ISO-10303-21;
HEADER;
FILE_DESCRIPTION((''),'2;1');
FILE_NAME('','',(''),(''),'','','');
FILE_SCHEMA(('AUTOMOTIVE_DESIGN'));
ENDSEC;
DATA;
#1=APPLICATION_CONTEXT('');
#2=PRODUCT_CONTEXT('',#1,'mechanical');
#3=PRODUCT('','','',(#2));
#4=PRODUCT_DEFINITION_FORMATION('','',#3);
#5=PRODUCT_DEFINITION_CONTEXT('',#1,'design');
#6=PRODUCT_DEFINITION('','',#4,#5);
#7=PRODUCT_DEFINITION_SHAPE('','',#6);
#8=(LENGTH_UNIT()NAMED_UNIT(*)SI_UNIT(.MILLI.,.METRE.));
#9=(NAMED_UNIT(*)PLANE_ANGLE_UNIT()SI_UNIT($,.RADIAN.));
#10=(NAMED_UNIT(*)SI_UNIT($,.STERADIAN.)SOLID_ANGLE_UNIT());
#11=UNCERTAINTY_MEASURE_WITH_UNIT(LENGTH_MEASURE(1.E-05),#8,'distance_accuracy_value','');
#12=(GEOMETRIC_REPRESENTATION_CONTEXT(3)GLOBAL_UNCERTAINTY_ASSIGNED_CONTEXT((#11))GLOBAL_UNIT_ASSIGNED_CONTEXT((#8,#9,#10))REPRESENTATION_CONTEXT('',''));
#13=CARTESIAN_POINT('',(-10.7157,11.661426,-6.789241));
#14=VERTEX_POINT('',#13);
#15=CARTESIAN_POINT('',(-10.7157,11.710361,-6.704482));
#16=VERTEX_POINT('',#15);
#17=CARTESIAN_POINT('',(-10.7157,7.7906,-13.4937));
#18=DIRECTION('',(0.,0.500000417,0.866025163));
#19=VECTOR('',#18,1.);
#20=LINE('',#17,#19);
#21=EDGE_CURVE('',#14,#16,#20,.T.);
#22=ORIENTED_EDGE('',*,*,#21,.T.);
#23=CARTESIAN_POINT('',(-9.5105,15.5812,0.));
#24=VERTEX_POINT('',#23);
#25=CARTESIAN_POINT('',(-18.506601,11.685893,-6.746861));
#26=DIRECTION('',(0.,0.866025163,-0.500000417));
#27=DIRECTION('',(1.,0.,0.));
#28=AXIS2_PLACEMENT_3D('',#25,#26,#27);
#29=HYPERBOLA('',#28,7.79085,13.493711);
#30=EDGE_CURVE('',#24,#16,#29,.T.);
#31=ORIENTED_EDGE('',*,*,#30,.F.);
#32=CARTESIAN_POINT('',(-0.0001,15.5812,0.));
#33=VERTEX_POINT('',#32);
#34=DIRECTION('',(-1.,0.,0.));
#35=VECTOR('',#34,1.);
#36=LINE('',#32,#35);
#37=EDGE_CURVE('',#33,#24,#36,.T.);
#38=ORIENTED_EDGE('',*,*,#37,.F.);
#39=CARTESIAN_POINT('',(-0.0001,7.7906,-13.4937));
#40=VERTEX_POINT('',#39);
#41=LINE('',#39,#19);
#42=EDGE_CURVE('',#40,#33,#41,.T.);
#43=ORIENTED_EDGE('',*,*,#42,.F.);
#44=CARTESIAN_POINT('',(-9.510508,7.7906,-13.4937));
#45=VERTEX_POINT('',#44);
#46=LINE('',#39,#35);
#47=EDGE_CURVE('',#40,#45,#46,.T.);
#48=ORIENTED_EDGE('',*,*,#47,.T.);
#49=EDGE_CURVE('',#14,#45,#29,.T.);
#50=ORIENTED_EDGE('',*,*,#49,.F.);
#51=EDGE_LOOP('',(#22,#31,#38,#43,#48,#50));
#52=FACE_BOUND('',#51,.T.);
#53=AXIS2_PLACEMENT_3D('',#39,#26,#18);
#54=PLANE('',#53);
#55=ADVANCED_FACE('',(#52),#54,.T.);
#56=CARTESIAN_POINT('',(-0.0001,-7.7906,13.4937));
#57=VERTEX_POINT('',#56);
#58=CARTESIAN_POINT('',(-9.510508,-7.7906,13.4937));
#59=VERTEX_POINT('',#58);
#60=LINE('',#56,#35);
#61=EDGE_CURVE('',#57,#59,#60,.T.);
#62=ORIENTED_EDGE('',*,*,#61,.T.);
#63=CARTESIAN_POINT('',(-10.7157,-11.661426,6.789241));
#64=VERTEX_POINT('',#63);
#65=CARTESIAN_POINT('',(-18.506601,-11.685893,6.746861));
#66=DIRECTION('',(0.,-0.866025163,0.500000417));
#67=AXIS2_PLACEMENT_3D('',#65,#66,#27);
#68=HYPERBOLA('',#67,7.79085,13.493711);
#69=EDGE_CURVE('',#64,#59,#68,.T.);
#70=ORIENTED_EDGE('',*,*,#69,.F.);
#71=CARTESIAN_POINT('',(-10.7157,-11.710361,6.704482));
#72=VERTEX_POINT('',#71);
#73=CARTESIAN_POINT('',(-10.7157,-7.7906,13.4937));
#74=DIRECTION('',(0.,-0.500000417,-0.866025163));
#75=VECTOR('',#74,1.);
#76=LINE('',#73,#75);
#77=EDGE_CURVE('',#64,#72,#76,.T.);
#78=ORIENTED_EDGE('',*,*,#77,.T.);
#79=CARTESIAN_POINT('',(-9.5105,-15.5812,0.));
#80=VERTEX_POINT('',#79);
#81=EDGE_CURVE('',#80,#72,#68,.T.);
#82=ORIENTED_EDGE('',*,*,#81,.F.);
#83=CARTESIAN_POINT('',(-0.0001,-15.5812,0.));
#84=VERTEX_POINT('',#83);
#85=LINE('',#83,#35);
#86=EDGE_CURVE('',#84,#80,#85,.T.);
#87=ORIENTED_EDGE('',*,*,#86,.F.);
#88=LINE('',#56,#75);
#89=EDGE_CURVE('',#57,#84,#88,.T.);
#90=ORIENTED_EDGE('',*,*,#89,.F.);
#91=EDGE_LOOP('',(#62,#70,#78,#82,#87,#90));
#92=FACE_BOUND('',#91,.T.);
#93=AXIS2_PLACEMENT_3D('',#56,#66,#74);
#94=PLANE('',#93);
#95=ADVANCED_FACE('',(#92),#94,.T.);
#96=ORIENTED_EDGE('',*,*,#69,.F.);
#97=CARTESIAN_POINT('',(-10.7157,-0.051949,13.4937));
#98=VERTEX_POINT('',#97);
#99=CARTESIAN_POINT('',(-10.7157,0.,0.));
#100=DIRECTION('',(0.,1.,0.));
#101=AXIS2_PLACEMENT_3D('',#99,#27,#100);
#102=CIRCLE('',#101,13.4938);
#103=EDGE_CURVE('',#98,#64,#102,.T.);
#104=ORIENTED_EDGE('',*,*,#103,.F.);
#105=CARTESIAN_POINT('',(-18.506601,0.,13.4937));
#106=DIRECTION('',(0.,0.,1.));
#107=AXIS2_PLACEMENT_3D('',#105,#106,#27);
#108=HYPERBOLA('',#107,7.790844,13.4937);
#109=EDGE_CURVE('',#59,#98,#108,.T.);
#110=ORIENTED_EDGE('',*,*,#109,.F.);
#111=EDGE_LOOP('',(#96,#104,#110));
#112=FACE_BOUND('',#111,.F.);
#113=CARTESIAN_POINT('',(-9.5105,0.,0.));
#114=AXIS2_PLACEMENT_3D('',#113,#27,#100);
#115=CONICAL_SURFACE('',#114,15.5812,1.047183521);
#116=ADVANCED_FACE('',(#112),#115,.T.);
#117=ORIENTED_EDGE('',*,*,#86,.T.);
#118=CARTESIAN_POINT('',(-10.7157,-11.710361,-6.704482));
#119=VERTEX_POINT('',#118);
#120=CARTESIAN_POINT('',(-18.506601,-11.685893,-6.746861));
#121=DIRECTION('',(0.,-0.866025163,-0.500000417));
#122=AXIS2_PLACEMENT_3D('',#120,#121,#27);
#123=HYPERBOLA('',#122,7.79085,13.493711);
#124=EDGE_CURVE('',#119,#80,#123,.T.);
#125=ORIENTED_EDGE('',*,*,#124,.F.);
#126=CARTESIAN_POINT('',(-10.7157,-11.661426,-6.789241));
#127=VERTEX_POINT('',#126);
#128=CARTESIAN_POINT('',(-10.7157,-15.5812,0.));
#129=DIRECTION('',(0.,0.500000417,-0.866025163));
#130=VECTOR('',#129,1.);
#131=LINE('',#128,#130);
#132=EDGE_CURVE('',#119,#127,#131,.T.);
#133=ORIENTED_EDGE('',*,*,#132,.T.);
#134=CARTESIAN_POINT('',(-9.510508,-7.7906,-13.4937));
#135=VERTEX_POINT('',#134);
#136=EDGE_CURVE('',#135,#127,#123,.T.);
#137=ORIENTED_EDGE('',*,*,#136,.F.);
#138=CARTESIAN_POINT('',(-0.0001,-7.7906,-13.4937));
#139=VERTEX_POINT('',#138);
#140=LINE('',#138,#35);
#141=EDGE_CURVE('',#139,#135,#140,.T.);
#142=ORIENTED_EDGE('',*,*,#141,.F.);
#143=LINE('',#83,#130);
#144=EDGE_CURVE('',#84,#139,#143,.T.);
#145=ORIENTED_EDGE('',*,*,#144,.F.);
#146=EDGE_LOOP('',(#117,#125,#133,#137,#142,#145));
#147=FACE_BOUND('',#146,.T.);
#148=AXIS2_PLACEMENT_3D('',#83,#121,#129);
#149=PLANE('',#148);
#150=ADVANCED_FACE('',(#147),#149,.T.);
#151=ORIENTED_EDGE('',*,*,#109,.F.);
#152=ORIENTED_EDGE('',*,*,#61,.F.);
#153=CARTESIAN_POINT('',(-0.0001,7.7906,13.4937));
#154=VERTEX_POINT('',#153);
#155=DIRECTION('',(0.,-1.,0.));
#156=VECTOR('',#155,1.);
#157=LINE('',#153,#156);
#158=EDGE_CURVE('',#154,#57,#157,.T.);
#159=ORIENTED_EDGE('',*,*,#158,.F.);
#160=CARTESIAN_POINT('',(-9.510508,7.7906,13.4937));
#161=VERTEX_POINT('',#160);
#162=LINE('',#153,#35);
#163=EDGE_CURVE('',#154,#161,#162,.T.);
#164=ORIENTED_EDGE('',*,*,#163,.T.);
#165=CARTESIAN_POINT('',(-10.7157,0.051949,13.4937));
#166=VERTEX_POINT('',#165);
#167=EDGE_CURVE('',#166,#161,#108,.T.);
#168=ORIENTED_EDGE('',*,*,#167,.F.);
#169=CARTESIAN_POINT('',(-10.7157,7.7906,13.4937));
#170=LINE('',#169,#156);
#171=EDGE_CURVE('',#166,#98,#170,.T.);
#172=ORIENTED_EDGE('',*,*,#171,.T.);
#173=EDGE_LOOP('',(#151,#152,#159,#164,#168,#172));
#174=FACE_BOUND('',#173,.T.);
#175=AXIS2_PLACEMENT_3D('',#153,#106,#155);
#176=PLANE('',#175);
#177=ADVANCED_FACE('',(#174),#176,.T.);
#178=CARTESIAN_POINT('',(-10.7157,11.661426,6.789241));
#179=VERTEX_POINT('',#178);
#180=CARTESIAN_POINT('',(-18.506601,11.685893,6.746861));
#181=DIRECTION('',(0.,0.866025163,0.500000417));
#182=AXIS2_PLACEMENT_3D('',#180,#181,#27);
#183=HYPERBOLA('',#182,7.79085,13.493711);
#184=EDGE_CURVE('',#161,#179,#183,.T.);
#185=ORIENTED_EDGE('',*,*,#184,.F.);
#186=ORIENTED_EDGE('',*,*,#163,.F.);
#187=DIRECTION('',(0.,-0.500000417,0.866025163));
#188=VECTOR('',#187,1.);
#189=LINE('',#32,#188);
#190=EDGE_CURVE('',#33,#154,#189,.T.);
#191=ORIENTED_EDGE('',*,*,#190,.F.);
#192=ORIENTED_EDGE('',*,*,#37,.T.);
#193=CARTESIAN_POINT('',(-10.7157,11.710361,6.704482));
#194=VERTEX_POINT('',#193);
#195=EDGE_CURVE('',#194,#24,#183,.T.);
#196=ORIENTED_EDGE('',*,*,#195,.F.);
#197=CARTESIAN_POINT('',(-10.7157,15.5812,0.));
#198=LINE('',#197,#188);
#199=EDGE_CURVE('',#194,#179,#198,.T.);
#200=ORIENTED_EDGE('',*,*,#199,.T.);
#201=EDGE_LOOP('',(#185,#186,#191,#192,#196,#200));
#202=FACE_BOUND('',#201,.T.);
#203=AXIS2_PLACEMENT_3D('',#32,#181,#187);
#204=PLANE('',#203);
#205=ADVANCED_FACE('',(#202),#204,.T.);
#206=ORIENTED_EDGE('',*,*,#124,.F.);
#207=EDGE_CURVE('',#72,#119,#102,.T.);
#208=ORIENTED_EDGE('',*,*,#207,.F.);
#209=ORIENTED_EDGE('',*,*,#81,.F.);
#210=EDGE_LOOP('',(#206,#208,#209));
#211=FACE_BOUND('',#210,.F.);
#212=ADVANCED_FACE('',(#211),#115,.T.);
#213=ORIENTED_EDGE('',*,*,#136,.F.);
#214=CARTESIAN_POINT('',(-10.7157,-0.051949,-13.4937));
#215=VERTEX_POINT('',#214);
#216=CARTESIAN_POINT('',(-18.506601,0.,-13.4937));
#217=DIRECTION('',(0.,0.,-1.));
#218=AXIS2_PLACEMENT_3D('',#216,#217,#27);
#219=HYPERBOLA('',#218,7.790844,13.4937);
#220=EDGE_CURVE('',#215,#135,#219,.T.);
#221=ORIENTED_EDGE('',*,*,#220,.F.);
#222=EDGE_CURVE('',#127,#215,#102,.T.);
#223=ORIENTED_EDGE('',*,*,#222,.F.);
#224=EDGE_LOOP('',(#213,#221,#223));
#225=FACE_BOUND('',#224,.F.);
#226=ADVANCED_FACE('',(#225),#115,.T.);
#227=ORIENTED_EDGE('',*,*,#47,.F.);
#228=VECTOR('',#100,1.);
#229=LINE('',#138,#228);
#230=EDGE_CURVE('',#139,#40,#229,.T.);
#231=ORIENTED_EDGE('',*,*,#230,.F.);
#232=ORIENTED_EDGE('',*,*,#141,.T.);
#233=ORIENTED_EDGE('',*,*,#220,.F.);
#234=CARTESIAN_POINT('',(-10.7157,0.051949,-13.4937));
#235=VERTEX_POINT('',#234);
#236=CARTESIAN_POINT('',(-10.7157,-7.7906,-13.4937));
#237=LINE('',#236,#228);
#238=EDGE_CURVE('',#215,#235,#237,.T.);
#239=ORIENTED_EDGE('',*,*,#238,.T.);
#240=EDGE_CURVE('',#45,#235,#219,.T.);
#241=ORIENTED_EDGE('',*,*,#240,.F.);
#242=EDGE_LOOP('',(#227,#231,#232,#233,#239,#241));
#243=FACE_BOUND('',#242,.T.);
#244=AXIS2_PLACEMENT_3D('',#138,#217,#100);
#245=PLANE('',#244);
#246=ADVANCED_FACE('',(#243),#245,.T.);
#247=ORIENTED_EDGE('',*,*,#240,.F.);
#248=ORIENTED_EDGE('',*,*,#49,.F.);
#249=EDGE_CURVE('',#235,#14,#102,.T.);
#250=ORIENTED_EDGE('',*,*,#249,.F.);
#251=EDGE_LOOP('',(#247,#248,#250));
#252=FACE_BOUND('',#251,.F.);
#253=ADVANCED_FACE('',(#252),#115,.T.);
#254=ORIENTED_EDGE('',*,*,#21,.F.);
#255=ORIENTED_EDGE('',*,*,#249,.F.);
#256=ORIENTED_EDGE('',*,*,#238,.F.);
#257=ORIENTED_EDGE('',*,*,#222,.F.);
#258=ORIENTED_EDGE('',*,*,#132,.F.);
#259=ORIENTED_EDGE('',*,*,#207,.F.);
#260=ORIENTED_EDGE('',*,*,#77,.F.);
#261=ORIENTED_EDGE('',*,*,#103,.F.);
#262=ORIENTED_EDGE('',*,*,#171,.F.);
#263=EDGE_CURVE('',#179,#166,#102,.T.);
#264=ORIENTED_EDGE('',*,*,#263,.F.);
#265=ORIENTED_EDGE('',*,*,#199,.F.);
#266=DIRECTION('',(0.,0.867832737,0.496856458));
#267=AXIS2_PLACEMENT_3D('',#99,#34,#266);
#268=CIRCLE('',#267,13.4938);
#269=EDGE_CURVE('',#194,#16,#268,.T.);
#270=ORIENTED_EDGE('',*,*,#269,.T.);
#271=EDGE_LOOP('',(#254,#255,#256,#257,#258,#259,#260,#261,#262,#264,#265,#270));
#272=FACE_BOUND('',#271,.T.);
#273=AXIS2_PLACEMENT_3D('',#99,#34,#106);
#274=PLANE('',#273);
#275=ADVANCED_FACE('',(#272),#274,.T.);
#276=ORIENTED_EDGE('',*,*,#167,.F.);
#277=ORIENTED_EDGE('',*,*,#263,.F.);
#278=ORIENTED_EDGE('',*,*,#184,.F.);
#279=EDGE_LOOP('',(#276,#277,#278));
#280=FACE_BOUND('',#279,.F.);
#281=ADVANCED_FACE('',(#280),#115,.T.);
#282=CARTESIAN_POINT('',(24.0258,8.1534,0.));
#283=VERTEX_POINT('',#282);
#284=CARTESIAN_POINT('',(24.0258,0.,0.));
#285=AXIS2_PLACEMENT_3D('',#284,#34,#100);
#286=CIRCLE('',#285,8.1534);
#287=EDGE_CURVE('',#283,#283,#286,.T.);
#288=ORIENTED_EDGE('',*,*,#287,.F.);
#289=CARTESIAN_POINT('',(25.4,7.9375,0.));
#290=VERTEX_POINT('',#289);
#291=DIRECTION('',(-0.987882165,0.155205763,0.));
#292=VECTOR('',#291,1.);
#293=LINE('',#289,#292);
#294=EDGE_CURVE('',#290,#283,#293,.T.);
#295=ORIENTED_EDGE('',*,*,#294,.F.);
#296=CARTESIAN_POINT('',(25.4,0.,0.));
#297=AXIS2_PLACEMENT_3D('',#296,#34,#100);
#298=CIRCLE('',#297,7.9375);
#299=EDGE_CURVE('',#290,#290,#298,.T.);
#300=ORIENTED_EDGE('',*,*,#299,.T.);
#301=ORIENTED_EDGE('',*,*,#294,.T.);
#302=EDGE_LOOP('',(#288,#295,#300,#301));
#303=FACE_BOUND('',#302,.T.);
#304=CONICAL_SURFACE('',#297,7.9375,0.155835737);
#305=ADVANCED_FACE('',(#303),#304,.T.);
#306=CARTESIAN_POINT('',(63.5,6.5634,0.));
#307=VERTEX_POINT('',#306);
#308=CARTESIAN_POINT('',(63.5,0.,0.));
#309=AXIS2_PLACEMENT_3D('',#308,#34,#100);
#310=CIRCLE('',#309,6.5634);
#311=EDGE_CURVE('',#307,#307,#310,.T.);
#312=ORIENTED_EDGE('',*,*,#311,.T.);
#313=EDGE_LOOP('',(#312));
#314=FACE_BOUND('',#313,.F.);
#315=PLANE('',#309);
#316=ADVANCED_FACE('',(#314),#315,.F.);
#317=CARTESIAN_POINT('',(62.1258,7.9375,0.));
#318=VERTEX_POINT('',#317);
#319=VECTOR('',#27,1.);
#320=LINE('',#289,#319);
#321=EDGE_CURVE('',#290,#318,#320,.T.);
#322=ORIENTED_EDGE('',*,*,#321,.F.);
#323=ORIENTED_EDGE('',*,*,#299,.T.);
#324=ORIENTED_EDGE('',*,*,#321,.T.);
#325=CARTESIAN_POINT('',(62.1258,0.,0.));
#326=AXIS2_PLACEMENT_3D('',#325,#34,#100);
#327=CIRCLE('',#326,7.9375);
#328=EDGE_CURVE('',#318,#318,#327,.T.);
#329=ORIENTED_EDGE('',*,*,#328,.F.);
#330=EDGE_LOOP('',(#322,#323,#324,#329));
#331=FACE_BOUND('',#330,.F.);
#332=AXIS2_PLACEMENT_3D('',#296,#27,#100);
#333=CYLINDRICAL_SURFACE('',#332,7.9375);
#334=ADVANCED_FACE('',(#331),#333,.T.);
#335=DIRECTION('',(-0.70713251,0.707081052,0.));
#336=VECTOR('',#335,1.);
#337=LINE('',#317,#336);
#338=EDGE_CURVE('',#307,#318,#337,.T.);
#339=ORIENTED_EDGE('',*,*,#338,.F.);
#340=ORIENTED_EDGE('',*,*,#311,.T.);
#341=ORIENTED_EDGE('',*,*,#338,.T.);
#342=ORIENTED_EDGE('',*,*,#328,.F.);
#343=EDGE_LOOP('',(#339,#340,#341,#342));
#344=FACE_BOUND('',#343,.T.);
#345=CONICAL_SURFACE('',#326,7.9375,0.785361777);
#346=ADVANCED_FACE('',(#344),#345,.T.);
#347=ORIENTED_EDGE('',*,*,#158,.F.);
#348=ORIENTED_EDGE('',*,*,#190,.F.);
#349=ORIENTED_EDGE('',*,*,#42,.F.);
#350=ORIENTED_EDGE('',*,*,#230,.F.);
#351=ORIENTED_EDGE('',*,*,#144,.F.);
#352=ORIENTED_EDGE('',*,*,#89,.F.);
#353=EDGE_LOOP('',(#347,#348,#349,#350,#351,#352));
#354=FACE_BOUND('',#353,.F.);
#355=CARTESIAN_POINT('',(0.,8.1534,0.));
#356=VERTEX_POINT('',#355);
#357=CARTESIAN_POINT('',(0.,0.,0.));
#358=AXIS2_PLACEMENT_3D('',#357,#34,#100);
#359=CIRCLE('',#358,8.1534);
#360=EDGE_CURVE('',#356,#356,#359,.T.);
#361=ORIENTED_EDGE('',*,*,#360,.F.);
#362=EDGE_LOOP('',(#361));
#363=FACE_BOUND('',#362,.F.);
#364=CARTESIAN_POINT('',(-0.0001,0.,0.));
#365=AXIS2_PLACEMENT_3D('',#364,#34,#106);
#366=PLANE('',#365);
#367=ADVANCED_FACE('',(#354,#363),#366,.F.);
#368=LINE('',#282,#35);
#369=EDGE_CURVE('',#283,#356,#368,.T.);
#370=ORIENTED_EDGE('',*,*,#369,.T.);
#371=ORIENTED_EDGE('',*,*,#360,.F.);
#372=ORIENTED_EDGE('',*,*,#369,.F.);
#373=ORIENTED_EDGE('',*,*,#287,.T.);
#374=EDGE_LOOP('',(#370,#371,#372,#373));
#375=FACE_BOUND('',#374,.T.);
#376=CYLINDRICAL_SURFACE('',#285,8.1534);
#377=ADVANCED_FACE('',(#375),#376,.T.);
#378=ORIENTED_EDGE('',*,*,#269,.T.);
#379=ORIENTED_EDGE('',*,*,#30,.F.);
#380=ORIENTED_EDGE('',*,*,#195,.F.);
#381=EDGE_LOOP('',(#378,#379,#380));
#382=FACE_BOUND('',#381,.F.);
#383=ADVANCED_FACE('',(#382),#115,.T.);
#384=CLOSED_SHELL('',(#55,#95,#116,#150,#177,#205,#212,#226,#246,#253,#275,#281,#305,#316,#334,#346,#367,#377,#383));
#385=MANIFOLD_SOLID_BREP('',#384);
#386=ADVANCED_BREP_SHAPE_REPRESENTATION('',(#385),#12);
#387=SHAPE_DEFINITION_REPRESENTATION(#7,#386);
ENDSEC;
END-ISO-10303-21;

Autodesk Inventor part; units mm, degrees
ref_plane "YZ Plane" through (0, 0, 0) normal (1, 0, 0) x (0, 1, 0)
ref_plane "XZ Plane" through (0, 0, 0) normal (0, 1, 0) x (-1, 0, 0)
ref_plane "XY Plane" through (0, 0, 0) normal (0, 0, 1) x (1, 0, 0)
sketch "Sketch1" plane through (0, 0, 0) normal (0, 0, 1) x (1, 0, 0)
  line L0 (0, 8.1534) -> (0, 8.1534)
  line L1 (25.4, 7.9375) -> (63.5, 7.9375)
  line L2 (63.5, 7.9375) -> (63.5, 0)
  line L3 (63.5, 0) -> (-0.0001, 0)
  line L4 (-6.3501, 0) -> (82.55, 0) projected
  line L5 (-0.0001, 0) -> (-0.0001, 8.1534)
  line L6 (-0.0001, 8.1534) -> (0, 8.1534)
  line L7 (25.4, 7.9375) -> (24.0258, 8.1534)
  line L8 (24.0258, 8.1534) -> (0, 8.1534)
  line L9 (0, -0.8153) -> (0, 10.5994) projected
  dimension "d0" = 63.5
  dimension "d1" = 38.1
  dimension "d2" = 15.875
  dimension "d9" = 0.0001
  dimension "d10" = 16.3068
  dimension "d13" = 1.3742
  dimension "d14" = 16.3068
revolve "Body" add sketch "Sketch1" angle 360 about axis through (63.5, 0, 0) along (-1, 0, 0)
sketch "Sketch2" plane through (-0.0001, 0, 0) normal (-1, 0, 0) x (0, 0, 1)
  line L0 (0, 15.5812) -> (13.4937, 7.7906)
  line L1 (13.4937, 7.7906) -> (13.4937, -7.7906)
  line L2 (13.4937, -7.7906) -> (0, -15.5812)
  line L3 (0, -15.5812) -> (-13.4937, -7.7906)
  line L4 (-13.4937, -7.7906) -> (-13.4937, 7.7906)
  line L5 (-13.4937, 7.7906) -> (0, 15.5812)
  point P0 (0, 0)
  point P1 (0, 0)
  dimension "d11" = 26.9875
extrude "Head" add sketch "Sketch2" along normal blind 10.7156
sketch "Sketch4" plane through (0, 0, 0) normal (0, 0, 1) x (1, 0, 0)
  line L0 (-10.7157, 13.4938) -> (-10.7157, 15.5812)
  line L1 (-10.7157, 15.5812) -> (-9.5105, 15.5812)
  line L2 (-9.5105, 15.5812) -> (-10.7157, 13.4938)
  line L3 (-11.7873, 0) -> (3.2146, 0) projected
  line L4 (-0.0001, 15.5812) -> (-10.7157, 15.5812) projected
  line L5 (-10.7157, 7.7906) -> (-10.7157, 15.5812) projected
  dimension "d5" = 30
  dimension "d19" = 26.9875
revolve "Chamfer1" cut sketch "Sketch4" angle 360 about axis through (-10, 0, 0) along (1, 0, 0)
thread "Thread" size "5/8-11 UNC" class "2A" standard "ANSI Unified Screw Threads" length 38.1
chamfer "Chamfer2" distance 1.3741 distance2 1.3742 1 edges at (63.5, -7.9375, 0) measured on face at (63.5, -0.6813, 3.1515)
equation "\"d0\" = NLG"
equation "\"d1\" = GEL"
equation "\"d2\" = GD"
equation "\"d10\" = SD2"
equation "\"d14\" = BDM"
equation "\"d11\" = SW"
equation "\"d3\" = KOH - SD"
equation "\"d5\" = ANG1"
equation "\"d19\" = SW0"
equation "\"d15\" = GEL"
equation "\"d6\" = -0.5 * SPD + 0.5 * GD"
equation "\"NLG\" = 63.5"
equation "\"GD\" = NND"
equation "\"BDM\" = 16.3068"
equation "\"KOH\" = 10.71562"
equation "\"GEL\" = 38.1"
equation "\"SW\" = 26.9875"
equation "\"SW0\" = SW"
equation "\"SPD\" = 13.12672"
equation "\"SD2\" = BDM"
equation "\"SD\" = 0"
equation "\"ANG1\" = 30deg"
equation "\"GAL\" = GUL"
equation "\"GUL\" = 1.37414"
equation "\"RR\" = 1.524"
equation "\"d20\" = -NLG"
equation "\"TOA\" = 30deg"
equation "\"THREADDIA\" = 15.875"
equation "\"E0\" = 1.155 * SW"
equation "\"GD1\" = SPD"
equation "\"SLG\" = 19.62734"
equation "\"NND\" = 15.875"
properties part number "ANSI B18.2.1 - 5/8-11 UNC - 2.5"
